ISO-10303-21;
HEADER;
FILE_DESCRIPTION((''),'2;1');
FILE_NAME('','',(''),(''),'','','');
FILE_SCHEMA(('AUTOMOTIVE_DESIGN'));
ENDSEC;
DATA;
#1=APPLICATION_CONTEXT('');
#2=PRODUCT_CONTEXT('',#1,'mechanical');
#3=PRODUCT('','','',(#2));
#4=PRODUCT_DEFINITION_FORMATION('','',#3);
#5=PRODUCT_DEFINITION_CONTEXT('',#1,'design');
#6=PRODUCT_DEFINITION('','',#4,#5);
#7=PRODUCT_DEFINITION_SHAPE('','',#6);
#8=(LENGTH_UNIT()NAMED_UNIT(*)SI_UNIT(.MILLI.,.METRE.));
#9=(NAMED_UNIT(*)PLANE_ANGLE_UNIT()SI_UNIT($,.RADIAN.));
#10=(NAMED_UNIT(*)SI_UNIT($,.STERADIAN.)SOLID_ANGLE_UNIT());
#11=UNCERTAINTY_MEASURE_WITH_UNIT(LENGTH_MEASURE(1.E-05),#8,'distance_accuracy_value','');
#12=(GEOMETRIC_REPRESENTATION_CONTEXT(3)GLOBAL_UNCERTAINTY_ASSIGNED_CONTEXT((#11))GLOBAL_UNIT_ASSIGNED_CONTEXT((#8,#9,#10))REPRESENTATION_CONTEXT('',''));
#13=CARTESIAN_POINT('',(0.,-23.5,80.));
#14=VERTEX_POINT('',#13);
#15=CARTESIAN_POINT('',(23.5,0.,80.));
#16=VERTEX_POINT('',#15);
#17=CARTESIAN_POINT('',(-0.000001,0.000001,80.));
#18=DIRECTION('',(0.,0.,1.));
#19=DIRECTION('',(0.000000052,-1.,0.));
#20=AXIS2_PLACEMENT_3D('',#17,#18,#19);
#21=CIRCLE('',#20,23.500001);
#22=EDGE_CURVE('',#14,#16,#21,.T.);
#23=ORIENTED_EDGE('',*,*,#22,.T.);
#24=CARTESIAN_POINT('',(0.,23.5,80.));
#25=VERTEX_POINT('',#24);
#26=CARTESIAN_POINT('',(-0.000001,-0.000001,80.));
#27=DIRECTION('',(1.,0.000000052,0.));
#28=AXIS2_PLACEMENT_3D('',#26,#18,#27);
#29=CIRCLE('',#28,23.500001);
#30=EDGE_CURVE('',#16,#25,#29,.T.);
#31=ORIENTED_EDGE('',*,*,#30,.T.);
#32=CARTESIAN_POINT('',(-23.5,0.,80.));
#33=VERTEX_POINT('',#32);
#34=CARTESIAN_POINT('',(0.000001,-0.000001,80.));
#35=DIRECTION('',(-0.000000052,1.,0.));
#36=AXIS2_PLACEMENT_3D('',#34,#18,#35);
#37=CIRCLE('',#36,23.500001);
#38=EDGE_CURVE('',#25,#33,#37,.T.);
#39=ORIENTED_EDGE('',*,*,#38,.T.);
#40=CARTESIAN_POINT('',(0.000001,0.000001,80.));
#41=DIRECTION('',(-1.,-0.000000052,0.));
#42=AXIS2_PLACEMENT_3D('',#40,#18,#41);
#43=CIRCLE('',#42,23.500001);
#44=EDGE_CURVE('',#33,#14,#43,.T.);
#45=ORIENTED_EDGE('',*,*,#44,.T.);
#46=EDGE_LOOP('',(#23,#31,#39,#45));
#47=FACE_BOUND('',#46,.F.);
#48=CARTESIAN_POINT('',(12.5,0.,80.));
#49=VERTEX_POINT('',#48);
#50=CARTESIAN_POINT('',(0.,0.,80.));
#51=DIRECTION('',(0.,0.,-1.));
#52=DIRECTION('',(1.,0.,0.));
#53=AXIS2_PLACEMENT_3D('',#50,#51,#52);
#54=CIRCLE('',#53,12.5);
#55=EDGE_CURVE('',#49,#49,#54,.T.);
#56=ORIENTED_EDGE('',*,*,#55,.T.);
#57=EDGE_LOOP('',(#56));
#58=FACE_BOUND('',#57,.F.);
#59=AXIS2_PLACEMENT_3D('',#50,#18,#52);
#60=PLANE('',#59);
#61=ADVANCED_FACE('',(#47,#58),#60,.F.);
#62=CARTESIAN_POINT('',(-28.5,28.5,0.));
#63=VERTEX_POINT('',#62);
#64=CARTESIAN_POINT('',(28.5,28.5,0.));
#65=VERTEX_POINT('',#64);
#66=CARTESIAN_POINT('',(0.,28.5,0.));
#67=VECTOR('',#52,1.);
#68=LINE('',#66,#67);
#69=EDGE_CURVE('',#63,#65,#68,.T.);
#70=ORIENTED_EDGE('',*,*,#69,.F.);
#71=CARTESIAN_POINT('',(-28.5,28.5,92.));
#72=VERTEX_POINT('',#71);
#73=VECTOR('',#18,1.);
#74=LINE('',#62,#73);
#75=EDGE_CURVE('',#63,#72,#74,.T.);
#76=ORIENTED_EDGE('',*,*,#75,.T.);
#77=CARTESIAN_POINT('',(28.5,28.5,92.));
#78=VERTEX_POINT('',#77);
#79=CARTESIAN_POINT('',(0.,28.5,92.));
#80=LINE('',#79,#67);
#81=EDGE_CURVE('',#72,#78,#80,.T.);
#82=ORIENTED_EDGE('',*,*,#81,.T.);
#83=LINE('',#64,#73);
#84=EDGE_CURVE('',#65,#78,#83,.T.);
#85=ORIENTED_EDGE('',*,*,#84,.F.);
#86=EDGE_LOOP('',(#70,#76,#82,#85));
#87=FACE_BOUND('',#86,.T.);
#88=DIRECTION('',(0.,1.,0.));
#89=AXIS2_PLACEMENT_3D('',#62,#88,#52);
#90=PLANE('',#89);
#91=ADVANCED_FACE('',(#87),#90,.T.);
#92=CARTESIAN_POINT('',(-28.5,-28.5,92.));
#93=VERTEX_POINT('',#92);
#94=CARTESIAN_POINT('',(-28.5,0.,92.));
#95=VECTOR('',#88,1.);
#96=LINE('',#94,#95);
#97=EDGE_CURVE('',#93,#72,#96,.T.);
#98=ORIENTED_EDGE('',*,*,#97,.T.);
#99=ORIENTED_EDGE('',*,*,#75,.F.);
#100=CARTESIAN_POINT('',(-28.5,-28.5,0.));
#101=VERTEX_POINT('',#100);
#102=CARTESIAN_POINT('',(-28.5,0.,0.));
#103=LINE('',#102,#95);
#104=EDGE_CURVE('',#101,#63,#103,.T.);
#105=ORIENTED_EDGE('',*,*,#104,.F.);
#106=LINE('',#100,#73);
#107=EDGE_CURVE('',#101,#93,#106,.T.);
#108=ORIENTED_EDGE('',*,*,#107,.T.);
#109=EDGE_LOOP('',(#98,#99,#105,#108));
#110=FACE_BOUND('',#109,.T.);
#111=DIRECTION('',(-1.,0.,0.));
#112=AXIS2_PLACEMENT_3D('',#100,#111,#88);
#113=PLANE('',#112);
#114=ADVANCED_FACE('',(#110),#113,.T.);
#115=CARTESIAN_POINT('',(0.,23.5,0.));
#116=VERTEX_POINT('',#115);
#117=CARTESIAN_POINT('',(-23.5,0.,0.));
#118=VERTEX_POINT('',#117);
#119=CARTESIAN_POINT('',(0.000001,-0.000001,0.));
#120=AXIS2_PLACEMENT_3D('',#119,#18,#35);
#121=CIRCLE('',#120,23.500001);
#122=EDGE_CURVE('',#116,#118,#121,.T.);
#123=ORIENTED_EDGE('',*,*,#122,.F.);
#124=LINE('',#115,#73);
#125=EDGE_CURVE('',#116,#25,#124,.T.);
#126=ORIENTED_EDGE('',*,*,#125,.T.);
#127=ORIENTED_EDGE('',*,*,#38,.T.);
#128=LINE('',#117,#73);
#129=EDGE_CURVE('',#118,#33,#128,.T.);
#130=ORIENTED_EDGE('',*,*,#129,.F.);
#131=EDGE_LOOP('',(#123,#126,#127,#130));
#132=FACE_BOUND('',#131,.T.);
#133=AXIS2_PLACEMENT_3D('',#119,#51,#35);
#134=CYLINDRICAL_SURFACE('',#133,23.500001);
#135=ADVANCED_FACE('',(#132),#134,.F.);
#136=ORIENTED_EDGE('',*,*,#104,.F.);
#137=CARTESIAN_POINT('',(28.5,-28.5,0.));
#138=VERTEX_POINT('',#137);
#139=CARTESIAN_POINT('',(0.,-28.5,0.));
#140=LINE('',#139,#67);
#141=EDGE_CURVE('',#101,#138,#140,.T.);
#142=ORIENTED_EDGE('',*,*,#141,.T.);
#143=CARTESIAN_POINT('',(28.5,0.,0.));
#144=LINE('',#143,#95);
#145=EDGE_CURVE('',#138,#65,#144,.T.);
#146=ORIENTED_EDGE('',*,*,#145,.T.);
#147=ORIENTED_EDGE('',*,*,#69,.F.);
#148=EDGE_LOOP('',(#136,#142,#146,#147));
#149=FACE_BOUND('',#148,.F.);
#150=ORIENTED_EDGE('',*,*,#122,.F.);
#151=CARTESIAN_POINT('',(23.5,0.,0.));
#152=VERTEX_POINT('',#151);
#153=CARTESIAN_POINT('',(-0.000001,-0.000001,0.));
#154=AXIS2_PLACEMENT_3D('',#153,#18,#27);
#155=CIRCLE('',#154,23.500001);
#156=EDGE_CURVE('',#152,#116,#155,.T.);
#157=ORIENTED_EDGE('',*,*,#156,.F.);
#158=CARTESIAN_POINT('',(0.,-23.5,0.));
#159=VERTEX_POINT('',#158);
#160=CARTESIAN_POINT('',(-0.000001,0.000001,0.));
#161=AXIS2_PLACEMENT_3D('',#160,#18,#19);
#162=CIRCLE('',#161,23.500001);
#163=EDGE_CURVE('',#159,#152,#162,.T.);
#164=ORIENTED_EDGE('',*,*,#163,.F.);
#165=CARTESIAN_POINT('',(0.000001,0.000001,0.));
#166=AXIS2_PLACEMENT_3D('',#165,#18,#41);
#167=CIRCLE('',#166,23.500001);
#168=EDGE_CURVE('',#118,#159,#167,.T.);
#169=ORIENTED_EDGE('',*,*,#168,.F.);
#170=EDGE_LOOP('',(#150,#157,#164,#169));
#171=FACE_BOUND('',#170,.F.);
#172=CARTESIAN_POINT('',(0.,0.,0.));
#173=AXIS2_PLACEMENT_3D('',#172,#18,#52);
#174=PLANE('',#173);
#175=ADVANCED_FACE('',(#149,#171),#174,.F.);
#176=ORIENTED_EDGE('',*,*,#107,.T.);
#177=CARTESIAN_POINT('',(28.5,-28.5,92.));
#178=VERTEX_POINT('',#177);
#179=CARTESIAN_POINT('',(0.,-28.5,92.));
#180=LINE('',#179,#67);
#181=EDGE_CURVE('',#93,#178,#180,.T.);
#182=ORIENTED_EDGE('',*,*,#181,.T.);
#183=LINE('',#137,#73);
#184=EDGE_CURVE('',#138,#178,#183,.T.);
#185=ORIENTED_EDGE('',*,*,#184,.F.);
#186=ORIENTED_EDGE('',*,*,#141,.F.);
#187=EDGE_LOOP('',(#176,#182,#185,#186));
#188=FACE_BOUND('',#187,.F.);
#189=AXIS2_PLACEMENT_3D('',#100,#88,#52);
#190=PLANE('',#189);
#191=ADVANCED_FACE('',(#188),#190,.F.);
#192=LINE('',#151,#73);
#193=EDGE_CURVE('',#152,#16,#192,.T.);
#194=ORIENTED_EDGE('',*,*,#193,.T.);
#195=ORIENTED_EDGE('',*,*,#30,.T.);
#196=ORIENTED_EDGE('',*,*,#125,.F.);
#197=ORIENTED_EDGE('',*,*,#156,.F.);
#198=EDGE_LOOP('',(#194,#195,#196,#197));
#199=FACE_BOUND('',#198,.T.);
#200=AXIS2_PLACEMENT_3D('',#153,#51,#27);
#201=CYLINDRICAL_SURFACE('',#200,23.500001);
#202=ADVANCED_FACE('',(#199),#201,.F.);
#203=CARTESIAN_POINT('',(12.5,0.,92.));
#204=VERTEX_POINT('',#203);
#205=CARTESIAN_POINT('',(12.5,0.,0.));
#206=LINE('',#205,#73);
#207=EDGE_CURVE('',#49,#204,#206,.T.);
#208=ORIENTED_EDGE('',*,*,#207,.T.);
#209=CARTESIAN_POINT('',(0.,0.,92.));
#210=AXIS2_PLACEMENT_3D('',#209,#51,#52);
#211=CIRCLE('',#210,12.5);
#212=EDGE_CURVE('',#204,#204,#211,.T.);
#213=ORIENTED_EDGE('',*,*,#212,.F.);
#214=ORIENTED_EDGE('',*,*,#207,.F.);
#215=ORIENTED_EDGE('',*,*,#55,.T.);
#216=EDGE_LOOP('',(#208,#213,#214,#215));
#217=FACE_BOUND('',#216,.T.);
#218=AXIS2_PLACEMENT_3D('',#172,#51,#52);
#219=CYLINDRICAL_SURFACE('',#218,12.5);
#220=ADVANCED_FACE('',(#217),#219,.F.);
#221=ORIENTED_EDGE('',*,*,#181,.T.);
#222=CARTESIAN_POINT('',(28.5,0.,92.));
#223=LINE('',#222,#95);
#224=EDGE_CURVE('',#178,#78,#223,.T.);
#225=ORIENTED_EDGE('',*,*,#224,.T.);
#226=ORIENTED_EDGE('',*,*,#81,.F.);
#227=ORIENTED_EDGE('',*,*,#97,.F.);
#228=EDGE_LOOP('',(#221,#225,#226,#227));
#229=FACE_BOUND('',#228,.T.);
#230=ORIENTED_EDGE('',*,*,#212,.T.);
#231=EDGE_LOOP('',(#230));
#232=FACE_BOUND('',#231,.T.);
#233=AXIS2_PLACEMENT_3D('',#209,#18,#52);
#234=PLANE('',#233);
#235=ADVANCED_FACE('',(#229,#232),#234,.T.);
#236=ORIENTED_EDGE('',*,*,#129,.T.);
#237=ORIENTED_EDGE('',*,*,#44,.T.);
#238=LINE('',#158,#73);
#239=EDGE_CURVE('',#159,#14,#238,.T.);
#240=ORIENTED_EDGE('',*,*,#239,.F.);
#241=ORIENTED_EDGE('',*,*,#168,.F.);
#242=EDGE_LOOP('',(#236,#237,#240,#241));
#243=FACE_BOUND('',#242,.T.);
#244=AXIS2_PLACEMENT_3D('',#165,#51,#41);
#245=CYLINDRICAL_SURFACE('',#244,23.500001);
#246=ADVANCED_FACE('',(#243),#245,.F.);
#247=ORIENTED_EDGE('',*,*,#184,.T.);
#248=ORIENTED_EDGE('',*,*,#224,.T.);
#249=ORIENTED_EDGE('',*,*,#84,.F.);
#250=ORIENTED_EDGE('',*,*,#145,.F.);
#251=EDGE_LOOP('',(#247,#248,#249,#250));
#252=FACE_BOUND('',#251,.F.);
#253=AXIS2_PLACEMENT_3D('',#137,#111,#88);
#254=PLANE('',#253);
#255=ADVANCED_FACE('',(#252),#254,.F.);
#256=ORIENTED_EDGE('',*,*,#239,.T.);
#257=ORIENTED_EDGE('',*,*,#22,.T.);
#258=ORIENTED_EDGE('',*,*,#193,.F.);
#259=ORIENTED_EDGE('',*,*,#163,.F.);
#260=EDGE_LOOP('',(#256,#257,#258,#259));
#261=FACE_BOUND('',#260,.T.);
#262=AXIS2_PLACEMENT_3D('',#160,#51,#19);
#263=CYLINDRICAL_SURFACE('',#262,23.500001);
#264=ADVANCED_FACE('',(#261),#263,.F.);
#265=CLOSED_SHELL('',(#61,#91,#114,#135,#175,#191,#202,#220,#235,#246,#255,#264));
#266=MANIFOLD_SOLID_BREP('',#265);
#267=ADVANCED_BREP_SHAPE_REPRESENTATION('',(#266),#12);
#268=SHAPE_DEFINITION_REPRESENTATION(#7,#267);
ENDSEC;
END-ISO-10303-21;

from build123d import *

# Parameters (mm, degrees)
F0_W     = 57
F0_H     = 57
F0_R     = 12.5
F1_DEPTH = 92
F2_DEPTH = 80
F3_DEPTH = 92.001


with BuildPart() as f1:
    # F0 (on Top) → F1 (new body)
    with BuildSketch(Plane.XY):
        Rectangle(F0_W, F0_H)
        Polygon((0, 23.5), (23.5, 23.5), (23.5, 0), (23.5, -23.5), (0, -23.5), (-23.5, -23.5), (-23.5, 0), (-23.5, 23.5), align=None, mode=Mode.SUBTRACT)
        with BuildLine():
            ThreePointArc((-23.5, 0), (-16.617009, 16.617009), (0, 23.5))
            Line((0, 23.5), (-23.5, 23.5))
            Line((-23.5, 23.5), (-23.5, 0))
        make_face()
        with BuildLine():
            Line((23.5, 0), (23.5, 23.5))
            Line((23.5, 23.5), (0, 23.5))
            ThreePointArc((0, 23.5), (16.617009, 16.617009), (23.5, 0))
        make_face()
        with BuildLine():
            Line((23.5, -23.5), (23.5, 0))
            ThreePointArc((23.5, 0), (16.617009, -16.617009), (0, -23.5))
            Line((0, -23.5), (23.5, -23.5))
        make_face()
        with BuildLine():
            ThreePointArc((0, -23.5), (-16.617009, -16.617009), (-23.5, 0))
            Line((-23.5, 0), (-23.5, -23.5))
            Line((-23.5, -23.5), (0, -23.5))
        make_face()
        with BuildLine():
            ThreePointArc((23.5, 0), (16.617009, 16.617009), (0, 23.5))
            ThreePointArc((0, 23.5), (-16.617009, 16.617009), (-23.5, 0))
            ThreePointArc((-23.5, 0), (-16.617009, -16.617009), (0, -23.5))
            ThreePointArc((0, -23.5), (16.617009, -16.617009), (23.5, 0))
        make_face()
        Circle(F0_R, mode=Mode.SUBTRACT)
        Circle(F0_R)
    extrude(amount=F1_DEPTH)

    # F0 (on Top) → F2 (cut)
    with BuildSketch(Plane.XY):
        with BuildLine():
            ThreePointArc((23.5, 0), (16.617009, 16.617009), (0, 23.5))
            ThreePointArc((0, 23.5), (-16.617009, 16.617009), (-23.5, 0))
            ThreePointArc((-23.5, 0), (-16.617009, -16.617009), (0, -23.5))
            ThreePointArc((0, -23.5), (16.617009, -16.617009), (23.5, 0))
        make_face()
        Circle(F0_R, mode=Mode.SUBTRACT)
        Circle(F0_R)
    extrude(amount=F2_DEPTH, mode=Mode.SUBTRACT)

    # F0 (on Top) → F3 (cut, through all)
    with BuildSketch(Plane.XY):
        Circle(F0_R)
    extrude(amount=F3_DEPTH, mode=Mode.SUBTRACT)


solid = f1.part
